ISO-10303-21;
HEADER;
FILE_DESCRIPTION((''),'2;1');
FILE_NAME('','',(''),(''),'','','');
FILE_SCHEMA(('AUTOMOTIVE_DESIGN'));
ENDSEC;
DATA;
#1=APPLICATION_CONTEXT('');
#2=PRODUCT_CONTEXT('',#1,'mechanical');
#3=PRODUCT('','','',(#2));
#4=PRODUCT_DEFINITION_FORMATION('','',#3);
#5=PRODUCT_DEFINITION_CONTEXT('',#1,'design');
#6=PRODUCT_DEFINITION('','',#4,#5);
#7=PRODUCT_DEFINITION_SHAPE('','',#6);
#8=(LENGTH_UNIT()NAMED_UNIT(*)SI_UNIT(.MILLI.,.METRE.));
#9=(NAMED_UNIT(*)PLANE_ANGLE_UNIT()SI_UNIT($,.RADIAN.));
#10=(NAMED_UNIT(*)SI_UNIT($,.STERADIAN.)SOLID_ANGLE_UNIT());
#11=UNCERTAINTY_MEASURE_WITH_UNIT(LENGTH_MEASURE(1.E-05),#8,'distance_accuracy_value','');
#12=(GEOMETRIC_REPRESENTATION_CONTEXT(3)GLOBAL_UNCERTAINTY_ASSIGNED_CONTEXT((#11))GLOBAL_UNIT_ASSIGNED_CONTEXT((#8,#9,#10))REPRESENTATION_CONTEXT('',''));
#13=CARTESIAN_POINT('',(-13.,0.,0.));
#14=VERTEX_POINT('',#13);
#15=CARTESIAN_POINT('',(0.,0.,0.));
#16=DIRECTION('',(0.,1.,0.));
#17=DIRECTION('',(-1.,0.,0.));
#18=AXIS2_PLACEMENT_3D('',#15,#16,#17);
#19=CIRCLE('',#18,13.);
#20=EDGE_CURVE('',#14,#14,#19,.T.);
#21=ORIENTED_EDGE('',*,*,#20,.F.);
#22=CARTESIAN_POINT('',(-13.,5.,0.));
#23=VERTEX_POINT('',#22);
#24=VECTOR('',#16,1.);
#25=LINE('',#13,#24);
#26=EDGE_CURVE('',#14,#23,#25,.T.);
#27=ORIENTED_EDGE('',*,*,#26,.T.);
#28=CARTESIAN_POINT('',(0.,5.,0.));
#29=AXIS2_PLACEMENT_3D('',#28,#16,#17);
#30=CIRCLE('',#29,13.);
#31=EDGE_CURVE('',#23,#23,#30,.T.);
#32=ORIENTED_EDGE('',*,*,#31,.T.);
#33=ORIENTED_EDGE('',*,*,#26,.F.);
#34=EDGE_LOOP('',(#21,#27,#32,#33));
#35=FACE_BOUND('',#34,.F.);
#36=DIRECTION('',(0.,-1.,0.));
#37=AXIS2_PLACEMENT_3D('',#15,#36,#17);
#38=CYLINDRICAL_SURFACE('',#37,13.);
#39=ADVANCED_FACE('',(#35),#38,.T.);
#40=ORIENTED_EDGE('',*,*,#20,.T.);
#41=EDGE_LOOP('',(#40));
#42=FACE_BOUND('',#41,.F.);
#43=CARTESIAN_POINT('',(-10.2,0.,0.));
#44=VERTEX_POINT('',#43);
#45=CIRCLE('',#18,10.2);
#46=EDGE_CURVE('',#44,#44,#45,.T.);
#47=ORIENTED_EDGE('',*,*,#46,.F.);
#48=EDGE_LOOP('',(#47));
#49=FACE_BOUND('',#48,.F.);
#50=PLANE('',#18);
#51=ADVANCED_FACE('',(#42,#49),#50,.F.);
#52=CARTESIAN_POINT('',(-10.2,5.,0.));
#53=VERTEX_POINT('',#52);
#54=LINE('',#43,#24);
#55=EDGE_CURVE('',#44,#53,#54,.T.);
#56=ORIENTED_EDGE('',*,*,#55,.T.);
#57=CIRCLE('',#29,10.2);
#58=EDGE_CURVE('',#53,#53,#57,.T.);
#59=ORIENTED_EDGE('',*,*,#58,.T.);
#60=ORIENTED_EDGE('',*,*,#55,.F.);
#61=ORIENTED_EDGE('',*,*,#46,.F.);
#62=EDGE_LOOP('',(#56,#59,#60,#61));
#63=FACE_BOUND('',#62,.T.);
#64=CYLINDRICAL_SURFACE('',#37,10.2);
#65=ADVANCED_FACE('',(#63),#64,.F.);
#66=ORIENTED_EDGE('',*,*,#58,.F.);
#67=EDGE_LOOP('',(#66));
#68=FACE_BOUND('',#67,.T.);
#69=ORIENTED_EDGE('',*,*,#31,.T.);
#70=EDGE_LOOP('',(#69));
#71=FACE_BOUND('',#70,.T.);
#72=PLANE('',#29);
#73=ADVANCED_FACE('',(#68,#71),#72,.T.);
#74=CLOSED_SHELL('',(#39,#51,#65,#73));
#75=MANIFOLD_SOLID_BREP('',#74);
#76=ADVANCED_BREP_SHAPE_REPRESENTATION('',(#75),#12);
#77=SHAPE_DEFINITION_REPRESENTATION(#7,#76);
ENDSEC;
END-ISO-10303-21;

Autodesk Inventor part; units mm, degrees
ref_plane "YZ Plane" through (0, 0, 0) normal (1, 0, 0) x (0, 1, 0)
ref_plane "XZ Plane" through (0, 0, 0) normal (0, 1, 0) x (-1, 0, 0)
ref_plane "XY Plane" through (0, 0, 0) normal (0, 0, 1) x (1, 0, 0)
sketch "Sketch1" plane through (0, 0, 0) normal (0, 1, 0) x (-1, 0, 0)
  circle A0 centre (0, 0) radius 10.2
  circle A1 centre (0, 0) radius 13
  dimension "d0" = 20.4
  dimension "d1" = 26
extrude "Extrusion1" add sketch "Sketch1" along normal blind 5
properties part number "TubeClampBearingShim"
